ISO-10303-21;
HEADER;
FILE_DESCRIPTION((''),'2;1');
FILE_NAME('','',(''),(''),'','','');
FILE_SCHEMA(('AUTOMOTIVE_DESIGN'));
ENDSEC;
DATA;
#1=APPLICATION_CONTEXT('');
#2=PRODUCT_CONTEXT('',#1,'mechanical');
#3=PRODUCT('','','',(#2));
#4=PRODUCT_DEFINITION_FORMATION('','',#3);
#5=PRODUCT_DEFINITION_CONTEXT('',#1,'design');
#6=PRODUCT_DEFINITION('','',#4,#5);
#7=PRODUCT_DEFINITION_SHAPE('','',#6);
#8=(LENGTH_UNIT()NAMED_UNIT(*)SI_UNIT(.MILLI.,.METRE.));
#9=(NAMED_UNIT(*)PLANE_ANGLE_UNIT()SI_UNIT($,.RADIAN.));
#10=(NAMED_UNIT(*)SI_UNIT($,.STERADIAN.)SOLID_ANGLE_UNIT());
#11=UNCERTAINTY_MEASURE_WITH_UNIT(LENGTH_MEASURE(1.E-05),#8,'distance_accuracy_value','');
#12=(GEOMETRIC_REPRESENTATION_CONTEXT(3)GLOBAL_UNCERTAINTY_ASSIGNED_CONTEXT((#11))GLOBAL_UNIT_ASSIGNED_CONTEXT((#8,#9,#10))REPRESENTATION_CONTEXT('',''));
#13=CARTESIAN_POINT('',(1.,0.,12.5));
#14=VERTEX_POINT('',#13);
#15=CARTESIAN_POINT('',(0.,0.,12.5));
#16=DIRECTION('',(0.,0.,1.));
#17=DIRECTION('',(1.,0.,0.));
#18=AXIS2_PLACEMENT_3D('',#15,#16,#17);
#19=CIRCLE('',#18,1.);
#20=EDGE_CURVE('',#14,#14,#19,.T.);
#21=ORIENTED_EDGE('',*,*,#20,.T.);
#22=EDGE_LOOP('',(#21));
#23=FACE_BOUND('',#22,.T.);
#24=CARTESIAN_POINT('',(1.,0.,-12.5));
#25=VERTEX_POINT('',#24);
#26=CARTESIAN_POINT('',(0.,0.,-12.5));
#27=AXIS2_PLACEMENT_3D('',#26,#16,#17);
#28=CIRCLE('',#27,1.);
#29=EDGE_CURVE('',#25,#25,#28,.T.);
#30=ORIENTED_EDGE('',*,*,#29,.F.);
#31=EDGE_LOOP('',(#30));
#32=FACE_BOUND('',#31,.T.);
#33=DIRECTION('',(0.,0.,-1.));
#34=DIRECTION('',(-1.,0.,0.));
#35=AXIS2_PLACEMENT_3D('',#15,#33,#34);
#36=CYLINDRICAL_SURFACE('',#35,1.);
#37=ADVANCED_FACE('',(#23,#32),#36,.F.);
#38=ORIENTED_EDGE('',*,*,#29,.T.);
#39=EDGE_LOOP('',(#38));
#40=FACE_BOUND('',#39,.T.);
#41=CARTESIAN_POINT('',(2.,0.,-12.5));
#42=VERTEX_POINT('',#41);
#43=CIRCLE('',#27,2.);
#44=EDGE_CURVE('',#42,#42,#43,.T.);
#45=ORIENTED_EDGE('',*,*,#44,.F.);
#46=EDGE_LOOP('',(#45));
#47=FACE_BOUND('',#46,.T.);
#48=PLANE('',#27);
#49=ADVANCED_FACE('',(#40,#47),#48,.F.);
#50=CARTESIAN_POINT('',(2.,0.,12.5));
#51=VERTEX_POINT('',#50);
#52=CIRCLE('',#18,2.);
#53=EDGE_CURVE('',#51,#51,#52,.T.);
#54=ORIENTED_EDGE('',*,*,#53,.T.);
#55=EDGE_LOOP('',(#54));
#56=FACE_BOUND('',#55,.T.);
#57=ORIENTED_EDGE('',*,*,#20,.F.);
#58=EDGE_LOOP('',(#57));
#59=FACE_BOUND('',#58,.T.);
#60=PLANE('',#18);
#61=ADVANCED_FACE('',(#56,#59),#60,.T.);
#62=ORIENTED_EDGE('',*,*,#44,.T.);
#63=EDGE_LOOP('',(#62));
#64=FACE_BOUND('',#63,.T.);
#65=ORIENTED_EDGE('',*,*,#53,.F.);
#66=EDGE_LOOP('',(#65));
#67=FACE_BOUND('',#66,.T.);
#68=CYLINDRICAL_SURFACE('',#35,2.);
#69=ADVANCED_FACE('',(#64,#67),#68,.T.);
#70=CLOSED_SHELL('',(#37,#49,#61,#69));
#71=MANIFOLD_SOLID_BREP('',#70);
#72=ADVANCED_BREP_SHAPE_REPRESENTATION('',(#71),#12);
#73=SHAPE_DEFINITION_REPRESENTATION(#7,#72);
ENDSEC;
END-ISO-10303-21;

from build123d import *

# Parameters (mm, degrees)
SKETCH_1_R      = 2
SKETCH_1_R_2    = 1
EXTRUDE_1_DEPTH = 12.5


with BuildPart() as part:
    # 草图1 → 凸台-拉伸1 (new body, symmetric)
    with BuildSketch(Plane.XY):
        Circle(SKETCH_1_R)
        Circle(SKETCH_1_R_2, mode=Mode.SUBTRACT)
    extrude(amount=EXTRUDE_1_DEPTH, both=True)


solid = part.part
